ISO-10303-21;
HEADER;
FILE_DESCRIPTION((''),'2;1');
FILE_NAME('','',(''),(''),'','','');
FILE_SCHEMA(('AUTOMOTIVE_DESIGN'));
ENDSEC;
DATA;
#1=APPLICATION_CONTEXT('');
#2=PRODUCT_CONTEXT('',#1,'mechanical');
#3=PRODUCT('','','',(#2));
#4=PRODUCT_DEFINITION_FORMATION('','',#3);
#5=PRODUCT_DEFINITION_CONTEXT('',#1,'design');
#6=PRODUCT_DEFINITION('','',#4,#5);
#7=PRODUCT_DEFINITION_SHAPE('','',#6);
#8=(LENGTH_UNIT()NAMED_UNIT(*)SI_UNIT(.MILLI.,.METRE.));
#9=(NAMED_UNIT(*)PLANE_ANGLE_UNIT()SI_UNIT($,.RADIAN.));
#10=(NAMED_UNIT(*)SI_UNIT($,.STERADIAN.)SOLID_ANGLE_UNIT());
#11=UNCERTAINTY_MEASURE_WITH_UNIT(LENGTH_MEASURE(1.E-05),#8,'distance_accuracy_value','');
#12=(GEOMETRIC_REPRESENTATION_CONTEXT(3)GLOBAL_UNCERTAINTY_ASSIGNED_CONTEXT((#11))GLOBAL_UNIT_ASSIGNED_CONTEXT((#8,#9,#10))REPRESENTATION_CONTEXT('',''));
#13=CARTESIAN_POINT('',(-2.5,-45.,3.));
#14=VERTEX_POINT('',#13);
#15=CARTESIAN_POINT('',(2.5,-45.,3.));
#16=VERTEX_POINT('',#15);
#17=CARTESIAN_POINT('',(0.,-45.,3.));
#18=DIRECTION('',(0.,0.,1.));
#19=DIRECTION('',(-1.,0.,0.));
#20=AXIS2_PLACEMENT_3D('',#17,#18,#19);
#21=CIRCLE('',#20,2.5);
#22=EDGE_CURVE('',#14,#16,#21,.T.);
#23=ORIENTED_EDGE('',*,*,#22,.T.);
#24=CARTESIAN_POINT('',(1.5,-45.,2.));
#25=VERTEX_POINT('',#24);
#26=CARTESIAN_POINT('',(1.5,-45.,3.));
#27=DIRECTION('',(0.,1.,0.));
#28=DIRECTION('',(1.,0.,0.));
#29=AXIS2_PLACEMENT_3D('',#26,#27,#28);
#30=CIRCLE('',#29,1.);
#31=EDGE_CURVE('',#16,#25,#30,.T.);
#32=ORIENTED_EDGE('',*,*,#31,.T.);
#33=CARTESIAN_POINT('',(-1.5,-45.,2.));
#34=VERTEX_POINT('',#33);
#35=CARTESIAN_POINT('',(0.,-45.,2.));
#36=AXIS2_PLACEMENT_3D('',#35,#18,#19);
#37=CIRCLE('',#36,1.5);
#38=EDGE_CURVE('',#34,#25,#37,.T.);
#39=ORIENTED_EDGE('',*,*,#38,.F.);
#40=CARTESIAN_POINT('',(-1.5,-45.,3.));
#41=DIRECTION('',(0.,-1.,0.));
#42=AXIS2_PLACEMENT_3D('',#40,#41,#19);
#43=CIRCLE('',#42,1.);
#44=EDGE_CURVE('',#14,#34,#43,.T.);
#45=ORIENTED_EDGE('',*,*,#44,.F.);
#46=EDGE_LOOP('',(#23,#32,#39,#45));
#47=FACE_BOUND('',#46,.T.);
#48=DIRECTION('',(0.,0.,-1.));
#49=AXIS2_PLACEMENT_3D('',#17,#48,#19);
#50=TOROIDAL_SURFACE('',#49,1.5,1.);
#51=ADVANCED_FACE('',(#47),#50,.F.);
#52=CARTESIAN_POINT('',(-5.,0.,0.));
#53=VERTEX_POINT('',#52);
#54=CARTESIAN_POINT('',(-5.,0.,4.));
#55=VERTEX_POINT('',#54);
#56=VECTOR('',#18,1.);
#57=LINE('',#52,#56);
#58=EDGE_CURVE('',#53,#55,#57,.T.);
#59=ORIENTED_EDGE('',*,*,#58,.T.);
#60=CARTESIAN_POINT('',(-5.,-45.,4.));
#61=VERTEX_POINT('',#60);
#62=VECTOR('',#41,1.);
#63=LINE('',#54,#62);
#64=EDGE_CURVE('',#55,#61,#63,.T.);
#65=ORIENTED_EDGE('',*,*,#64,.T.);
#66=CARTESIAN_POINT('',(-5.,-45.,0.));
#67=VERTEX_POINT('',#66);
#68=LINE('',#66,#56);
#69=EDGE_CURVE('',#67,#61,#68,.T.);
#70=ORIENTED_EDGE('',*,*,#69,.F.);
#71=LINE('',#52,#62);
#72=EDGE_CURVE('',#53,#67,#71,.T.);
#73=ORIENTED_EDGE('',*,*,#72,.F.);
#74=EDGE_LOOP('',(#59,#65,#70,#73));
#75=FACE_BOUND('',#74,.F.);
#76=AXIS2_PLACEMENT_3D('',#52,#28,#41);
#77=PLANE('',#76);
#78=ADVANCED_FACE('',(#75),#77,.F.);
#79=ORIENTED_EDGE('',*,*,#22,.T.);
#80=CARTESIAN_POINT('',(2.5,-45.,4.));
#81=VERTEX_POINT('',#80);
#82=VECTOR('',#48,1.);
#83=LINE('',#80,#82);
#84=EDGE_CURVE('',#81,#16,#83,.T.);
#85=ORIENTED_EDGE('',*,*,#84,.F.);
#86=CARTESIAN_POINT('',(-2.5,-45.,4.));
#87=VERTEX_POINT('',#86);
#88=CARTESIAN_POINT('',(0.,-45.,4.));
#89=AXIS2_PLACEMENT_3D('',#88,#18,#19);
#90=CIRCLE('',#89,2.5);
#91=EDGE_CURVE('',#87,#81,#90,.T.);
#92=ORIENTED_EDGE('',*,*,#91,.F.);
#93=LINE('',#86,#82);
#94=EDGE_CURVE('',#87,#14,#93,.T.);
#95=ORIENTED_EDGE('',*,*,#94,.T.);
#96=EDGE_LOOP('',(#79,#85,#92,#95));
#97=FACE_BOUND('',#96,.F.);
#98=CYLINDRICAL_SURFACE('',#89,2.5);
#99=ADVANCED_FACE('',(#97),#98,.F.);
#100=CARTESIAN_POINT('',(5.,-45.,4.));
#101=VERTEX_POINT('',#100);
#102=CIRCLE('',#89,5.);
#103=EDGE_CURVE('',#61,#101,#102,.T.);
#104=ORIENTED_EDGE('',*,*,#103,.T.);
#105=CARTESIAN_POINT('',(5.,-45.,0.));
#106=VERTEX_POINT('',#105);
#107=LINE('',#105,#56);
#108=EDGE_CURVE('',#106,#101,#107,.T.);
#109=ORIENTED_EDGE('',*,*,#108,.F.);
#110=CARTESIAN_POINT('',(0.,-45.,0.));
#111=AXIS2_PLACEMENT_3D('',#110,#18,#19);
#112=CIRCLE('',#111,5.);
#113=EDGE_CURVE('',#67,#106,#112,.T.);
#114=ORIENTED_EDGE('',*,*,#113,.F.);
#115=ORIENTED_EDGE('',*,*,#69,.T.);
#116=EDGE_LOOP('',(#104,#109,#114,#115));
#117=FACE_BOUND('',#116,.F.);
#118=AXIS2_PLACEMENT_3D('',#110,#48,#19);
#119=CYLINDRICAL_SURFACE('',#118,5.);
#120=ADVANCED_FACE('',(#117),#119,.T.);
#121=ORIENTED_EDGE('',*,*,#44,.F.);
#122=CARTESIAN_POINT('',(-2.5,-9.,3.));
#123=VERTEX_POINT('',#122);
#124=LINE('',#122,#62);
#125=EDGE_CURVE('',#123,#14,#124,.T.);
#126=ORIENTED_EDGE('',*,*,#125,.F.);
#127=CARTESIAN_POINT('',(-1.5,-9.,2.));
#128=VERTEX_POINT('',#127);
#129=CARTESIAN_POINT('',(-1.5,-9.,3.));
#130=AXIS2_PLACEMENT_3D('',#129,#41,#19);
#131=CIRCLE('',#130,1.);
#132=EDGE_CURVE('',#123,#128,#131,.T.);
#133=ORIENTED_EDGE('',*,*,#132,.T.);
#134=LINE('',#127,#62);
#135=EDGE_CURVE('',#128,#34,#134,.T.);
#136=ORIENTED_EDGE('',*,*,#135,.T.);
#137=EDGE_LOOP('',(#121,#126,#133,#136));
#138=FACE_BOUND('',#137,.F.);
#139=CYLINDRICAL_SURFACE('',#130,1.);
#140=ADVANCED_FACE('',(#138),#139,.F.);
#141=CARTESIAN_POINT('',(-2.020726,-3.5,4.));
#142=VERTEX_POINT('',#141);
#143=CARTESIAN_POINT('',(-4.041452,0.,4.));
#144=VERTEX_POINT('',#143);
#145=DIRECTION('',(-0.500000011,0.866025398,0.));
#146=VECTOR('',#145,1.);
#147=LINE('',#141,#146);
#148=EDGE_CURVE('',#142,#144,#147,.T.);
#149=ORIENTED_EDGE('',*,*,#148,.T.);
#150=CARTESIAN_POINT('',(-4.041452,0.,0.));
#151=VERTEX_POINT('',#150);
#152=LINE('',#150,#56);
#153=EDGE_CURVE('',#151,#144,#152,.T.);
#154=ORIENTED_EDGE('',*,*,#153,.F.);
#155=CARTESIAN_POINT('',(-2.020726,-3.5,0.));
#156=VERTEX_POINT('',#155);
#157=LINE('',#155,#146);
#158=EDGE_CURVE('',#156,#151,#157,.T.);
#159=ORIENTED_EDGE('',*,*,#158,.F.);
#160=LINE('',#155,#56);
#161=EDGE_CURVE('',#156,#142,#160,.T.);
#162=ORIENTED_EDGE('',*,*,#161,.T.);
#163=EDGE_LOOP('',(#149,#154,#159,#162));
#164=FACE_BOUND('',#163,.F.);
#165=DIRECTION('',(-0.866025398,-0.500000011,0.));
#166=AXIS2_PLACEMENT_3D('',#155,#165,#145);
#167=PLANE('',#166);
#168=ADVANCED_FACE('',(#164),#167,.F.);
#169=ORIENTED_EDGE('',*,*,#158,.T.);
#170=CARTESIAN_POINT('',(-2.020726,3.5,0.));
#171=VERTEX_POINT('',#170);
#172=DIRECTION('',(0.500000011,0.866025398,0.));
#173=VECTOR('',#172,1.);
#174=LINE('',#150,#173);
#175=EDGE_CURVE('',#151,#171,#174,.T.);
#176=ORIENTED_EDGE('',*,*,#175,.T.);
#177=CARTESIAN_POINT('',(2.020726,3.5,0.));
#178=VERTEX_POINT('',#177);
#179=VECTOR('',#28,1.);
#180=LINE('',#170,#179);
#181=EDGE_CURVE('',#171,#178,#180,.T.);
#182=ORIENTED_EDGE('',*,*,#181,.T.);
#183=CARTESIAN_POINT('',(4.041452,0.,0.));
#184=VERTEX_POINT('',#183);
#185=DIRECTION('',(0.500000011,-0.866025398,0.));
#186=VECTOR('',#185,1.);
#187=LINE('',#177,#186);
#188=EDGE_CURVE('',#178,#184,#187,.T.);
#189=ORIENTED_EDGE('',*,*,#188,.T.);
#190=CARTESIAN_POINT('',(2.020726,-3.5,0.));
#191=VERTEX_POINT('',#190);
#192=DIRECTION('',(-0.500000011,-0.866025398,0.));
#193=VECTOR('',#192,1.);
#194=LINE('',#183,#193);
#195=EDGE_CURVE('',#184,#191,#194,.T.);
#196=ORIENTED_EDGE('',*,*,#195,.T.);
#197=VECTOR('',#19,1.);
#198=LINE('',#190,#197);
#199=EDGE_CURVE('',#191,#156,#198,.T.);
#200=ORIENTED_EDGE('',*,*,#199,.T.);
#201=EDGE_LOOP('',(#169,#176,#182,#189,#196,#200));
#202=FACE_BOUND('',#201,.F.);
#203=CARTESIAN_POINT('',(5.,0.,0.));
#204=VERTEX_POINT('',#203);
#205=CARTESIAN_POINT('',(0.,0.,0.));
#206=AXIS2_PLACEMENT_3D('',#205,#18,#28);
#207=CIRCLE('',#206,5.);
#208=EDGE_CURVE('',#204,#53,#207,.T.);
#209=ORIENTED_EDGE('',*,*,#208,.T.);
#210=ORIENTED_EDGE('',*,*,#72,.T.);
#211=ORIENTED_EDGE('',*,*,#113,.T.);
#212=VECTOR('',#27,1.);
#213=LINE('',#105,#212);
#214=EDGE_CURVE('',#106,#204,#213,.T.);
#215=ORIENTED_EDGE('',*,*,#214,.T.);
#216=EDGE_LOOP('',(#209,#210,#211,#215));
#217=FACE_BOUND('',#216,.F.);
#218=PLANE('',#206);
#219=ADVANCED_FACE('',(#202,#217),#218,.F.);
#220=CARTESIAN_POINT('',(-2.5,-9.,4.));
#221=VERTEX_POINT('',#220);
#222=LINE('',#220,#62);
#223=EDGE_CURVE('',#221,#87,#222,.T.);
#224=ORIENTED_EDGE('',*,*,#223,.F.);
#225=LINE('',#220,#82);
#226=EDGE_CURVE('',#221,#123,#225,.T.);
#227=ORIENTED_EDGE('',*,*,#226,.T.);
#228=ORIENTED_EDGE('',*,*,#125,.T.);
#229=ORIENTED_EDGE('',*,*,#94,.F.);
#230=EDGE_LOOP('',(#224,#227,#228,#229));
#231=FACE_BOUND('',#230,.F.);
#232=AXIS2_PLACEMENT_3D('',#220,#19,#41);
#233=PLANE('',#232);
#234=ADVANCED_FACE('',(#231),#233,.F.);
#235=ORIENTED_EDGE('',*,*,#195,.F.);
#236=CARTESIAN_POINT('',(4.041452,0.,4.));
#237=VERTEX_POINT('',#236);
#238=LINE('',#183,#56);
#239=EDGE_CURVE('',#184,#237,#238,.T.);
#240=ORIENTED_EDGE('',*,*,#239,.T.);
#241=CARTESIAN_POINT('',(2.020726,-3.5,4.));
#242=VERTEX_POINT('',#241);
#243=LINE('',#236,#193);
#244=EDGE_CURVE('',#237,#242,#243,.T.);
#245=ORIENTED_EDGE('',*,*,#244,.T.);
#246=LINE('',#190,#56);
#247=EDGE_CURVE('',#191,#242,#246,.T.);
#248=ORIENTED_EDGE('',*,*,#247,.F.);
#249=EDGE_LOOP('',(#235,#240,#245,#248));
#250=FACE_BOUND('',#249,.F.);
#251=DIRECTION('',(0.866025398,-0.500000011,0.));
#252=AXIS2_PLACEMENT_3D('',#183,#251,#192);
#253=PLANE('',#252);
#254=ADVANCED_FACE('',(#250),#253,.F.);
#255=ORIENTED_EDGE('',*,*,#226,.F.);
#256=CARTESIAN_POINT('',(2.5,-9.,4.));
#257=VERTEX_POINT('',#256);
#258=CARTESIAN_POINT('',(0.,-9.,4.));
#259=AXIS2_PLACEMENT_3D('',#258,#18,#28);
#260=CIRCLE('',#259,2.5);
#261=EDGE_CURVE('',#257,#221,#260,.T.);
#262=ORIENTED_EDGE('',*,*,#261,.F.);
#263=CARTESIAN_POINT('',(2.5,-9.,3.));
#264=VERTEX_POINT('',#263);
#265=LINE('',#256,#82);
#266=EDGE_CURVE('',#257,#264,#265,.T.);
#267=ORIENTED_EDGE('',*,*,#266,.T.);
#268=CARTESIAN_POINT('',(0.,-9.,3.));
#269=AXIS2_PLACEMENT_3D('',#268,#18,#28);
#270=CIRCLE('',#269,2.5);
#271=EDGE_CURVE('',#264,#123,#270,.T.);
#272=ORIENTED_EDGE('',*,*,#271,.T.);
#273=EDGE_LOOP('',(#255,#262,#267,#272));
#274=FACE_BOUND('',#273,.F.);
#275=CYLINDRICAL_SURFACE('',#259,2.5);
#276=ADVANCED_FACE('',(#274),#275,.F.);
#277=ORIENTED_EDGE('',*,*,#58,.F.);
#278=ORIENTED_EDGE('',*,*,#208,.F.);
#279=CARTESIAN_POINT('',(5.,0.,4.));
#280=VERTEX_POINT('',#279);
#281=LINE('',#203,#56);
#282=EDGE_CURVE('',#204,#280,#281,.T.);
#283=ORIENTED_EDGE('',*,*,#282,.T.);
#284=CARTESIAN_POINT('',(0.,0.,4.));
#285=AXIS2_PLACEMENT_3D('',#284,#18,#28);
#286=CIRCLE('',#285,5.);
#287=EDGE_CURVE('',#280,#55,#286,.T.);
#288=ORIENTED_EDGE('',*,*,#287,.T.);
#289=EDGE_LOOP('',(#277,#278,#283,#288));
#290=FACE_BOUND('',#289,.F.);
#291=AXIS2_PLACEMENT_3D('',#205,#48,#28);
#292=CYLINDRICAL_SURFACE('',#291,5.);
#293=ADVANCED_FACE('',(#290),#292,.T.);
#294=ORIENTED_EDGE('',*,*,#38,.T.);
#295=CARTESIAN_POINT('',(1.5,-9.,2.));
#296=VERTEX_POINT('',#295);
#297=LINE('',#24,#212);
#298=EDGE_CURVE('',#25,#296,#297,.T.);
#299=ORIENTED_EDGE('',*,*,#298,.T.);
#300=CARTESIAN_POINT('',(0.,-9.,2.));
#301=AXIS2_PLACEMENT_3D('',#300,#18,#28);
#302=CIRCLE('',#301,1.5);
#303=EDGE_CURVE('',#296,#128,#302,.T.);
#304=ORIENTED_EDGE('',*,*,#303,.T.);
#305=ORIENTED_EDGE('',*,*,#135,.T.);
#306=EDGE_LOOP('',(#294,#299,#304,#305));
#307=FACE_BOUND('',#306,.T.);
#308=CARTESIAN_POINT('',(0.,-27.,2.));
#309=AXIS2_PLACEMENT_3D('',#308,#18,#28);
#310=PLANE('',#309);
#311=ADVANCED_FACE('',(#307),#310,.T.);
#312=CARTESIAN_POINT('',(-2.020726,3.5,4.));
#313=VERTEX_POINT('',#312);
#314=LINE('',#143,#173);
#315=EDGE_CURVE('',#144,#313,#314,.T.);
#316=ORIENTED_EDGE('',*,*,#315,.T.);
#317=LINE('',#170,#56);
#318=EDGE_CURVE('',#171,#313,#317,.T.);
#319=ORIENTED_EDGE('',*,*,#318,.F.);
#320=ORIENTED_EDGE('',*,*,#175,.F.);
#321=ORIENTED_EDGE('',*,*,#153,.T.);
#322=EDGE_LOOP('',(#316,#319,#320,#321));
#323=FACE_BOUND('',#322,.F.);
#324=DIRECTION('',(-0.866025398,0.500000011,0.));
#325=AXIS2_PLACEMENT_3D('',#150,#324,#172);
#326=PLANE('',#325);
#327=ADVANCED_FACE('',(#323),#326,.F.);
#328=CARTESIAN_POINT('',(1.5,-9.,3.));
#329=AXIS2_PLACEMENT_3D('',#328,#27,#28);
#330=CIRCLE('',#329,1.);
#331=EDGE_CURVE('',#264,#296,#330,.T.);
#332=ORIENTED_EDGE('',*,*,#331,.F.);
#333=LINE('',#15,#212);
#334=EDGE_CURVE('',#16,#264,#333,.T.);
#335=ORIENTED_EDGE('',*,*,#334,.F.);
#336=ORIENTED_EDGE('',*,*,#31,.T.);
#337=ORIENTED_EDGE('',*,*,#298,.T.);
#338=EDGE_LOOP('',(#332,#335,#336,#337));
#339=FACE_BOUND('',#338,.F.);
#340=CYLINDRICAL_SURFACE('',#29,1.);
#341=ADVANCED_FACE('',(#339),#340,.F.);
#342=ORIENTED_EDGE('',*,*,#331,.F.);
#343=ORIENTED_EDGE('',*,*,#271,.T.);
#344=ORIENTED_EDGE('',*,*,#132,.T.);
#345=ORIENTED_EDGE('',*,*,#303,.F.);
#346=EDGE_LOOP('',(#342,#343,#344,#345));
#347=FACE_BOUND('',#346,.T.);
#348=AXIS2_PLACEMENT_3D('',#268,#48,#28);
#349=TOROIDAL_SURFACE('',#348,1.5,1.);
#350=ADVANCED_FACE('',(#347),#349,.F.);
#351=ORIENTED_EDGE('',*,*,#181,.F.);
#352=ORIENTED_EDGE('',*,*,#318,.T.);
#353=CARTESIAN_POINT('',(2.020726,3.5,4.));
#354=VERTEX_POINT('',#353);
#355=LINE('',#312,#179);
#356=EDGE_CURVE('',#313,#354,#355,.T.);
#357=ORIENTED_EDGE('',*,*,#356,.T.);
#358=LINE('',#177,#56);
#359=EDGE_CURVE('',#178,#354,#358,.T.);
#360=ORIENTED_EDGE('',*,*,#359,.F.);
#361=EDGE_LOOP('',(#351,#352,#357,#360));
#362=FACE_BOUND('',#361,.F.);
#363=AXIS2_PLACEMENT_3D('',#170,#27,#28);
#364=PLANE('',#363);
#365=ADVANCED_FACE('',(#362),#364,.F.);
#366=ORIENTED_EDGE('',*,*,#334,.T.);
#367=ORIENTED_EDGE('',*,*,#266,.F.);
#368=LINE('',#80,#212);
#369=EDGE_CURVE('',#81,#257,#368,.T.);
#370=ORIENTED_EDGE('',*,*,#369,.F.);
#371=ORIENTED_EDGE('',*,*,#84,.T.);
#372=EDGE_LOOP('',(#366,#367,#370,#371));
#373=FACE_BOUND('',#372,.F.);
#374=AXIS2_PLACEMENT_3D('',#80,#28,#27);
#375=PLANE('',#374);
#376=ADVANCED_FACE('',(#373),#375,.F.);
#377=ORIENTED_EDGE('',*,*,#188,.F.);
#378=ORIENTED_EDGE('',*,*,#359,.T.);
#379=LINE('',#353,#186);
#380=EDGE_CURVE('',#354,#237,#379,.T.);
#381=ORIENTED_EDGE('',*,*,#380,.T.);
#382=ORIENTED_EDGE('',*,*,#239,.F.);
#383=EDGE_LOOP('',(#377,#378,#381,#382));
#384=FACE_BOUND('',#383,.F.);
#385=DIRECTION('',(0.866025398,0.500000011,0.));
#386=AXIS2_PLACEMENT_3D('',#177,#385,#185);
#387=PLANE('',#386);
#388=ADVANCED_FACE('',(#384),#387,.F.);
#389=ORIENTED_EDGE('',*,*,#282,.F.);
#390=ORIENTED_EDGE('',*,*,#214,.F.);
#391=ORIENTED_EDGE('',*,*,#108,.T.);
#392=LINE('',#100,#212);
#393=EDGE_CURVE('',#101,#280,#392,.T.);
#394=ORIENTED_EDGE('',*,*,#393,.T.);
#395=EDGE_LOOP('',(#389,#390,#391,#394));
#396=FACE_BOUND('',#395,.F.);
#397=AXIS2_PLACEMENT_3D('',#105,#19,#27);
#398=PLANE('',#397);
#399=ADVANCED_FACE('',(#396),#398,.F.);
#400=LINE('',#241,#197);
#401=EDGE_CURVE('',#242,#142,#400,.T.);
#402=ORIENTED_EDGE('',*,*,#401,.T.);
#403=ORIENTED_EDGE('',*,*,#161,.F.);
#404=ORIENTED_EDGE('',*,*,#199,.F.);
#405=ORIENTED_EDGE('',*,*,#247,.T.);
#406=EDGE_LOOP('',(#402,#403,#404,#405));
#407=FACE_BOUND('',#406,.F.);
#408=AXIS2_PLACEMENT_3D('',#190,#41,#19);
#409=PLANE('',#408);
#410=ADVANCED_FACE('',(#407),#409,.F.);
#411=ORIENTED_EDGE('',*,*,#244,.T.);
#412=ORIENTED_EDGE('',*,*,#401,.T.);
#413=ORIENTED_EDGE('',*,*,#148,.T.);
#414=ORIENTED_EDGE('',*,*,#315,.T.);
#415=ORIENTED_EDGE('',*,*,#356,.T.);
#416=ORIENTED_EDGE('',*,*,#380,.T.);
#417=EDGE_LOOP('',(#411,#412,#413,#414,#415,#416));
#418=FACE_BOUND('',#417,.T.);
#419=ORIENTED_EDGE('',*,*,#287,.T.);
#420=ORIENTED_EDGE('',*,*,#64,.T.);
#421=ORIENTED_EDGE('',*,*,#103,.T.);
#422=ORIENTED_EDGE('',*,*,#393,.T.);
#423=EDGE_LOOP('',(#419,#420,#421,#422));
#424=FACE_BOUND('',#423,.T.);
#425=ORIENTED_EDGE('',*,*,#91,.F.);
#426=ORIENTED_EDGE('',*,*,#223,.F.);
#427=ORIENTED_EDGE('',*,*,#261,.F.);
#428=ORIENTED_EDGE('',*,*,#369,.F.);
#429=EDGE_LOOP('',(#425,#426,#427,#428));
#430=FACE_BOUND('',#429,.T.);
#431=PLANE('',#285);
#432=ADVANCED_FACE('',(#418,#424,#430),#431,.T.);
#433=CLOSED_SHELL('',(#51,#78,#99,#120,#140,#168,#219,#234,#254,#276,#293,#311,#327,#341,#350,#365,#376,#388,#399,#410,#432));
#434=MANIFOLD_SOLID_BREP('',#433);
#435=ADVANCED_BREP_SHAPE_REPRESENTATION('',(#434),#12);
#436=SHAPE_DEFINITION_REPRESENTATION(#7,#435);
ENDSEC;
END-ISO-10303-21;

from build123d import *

# Parameters (mm, degrees)
F1_DEPTH = 4
F3_DEPTH = 2
F4_R     = 1


with BuildPart() as f1:
    # F0 (on Top) → F1 (new body)
    with BuildSketch(Plane.XY):
        with BuildLine():
            ThreePointArc((-5, 0), (0, -5), (5, 0))
            ThreePointArc((5, 0), (0, 5), (-5, 0))
        make_face()
        Polygon((-4.041452, 0), (-2.020726, 3.5), (2.020726, 3.5), (4.041452, 0), (2.020726, -3.5), (-2.020726, -3.5), align=None, mode=Mode.SUBTRACT)
        with BuildLine():
            Line((5, -45), (5, 0))
            ThreePointArc((5, 0), (0, -5), (-5, 0))
            Line((-5, 0), (-5, -45))
            ThreePointArc((-5, -45), (0, -50), (5, -45))
        make_face()
    extrude(amount=F1_DEPTH)

    # F2 (on face) → F3 (cut)
    with BuildSketch(Plane.XY.offset(4)):
        with BuildLine():
            ThreePointArc((2.5, -9), (0, -6.5), (-2.5, -9))
            Line((-2.5, -9), (-2.5, -45))
            ThreePointArc((-2.5, -45), (0, -47.5), (2.5, -45))
            Line((2.5, -45), (2.5, -9))
        make_face()
    extrude(amount=-F3_DEPTH, mode=Mode.SUBTRACT)

    # F4
    f4_edges = [f1.edges().sort_by_distance(p)[0] for p in [
        (0, -6.5, 2),
        (-2.5, -27, 2),
        (0, -47.5, 2),
        (2.5, -27, 2),
    ]]
    fillet(f4_edges, radius=F4_R)


solid = f1.part
